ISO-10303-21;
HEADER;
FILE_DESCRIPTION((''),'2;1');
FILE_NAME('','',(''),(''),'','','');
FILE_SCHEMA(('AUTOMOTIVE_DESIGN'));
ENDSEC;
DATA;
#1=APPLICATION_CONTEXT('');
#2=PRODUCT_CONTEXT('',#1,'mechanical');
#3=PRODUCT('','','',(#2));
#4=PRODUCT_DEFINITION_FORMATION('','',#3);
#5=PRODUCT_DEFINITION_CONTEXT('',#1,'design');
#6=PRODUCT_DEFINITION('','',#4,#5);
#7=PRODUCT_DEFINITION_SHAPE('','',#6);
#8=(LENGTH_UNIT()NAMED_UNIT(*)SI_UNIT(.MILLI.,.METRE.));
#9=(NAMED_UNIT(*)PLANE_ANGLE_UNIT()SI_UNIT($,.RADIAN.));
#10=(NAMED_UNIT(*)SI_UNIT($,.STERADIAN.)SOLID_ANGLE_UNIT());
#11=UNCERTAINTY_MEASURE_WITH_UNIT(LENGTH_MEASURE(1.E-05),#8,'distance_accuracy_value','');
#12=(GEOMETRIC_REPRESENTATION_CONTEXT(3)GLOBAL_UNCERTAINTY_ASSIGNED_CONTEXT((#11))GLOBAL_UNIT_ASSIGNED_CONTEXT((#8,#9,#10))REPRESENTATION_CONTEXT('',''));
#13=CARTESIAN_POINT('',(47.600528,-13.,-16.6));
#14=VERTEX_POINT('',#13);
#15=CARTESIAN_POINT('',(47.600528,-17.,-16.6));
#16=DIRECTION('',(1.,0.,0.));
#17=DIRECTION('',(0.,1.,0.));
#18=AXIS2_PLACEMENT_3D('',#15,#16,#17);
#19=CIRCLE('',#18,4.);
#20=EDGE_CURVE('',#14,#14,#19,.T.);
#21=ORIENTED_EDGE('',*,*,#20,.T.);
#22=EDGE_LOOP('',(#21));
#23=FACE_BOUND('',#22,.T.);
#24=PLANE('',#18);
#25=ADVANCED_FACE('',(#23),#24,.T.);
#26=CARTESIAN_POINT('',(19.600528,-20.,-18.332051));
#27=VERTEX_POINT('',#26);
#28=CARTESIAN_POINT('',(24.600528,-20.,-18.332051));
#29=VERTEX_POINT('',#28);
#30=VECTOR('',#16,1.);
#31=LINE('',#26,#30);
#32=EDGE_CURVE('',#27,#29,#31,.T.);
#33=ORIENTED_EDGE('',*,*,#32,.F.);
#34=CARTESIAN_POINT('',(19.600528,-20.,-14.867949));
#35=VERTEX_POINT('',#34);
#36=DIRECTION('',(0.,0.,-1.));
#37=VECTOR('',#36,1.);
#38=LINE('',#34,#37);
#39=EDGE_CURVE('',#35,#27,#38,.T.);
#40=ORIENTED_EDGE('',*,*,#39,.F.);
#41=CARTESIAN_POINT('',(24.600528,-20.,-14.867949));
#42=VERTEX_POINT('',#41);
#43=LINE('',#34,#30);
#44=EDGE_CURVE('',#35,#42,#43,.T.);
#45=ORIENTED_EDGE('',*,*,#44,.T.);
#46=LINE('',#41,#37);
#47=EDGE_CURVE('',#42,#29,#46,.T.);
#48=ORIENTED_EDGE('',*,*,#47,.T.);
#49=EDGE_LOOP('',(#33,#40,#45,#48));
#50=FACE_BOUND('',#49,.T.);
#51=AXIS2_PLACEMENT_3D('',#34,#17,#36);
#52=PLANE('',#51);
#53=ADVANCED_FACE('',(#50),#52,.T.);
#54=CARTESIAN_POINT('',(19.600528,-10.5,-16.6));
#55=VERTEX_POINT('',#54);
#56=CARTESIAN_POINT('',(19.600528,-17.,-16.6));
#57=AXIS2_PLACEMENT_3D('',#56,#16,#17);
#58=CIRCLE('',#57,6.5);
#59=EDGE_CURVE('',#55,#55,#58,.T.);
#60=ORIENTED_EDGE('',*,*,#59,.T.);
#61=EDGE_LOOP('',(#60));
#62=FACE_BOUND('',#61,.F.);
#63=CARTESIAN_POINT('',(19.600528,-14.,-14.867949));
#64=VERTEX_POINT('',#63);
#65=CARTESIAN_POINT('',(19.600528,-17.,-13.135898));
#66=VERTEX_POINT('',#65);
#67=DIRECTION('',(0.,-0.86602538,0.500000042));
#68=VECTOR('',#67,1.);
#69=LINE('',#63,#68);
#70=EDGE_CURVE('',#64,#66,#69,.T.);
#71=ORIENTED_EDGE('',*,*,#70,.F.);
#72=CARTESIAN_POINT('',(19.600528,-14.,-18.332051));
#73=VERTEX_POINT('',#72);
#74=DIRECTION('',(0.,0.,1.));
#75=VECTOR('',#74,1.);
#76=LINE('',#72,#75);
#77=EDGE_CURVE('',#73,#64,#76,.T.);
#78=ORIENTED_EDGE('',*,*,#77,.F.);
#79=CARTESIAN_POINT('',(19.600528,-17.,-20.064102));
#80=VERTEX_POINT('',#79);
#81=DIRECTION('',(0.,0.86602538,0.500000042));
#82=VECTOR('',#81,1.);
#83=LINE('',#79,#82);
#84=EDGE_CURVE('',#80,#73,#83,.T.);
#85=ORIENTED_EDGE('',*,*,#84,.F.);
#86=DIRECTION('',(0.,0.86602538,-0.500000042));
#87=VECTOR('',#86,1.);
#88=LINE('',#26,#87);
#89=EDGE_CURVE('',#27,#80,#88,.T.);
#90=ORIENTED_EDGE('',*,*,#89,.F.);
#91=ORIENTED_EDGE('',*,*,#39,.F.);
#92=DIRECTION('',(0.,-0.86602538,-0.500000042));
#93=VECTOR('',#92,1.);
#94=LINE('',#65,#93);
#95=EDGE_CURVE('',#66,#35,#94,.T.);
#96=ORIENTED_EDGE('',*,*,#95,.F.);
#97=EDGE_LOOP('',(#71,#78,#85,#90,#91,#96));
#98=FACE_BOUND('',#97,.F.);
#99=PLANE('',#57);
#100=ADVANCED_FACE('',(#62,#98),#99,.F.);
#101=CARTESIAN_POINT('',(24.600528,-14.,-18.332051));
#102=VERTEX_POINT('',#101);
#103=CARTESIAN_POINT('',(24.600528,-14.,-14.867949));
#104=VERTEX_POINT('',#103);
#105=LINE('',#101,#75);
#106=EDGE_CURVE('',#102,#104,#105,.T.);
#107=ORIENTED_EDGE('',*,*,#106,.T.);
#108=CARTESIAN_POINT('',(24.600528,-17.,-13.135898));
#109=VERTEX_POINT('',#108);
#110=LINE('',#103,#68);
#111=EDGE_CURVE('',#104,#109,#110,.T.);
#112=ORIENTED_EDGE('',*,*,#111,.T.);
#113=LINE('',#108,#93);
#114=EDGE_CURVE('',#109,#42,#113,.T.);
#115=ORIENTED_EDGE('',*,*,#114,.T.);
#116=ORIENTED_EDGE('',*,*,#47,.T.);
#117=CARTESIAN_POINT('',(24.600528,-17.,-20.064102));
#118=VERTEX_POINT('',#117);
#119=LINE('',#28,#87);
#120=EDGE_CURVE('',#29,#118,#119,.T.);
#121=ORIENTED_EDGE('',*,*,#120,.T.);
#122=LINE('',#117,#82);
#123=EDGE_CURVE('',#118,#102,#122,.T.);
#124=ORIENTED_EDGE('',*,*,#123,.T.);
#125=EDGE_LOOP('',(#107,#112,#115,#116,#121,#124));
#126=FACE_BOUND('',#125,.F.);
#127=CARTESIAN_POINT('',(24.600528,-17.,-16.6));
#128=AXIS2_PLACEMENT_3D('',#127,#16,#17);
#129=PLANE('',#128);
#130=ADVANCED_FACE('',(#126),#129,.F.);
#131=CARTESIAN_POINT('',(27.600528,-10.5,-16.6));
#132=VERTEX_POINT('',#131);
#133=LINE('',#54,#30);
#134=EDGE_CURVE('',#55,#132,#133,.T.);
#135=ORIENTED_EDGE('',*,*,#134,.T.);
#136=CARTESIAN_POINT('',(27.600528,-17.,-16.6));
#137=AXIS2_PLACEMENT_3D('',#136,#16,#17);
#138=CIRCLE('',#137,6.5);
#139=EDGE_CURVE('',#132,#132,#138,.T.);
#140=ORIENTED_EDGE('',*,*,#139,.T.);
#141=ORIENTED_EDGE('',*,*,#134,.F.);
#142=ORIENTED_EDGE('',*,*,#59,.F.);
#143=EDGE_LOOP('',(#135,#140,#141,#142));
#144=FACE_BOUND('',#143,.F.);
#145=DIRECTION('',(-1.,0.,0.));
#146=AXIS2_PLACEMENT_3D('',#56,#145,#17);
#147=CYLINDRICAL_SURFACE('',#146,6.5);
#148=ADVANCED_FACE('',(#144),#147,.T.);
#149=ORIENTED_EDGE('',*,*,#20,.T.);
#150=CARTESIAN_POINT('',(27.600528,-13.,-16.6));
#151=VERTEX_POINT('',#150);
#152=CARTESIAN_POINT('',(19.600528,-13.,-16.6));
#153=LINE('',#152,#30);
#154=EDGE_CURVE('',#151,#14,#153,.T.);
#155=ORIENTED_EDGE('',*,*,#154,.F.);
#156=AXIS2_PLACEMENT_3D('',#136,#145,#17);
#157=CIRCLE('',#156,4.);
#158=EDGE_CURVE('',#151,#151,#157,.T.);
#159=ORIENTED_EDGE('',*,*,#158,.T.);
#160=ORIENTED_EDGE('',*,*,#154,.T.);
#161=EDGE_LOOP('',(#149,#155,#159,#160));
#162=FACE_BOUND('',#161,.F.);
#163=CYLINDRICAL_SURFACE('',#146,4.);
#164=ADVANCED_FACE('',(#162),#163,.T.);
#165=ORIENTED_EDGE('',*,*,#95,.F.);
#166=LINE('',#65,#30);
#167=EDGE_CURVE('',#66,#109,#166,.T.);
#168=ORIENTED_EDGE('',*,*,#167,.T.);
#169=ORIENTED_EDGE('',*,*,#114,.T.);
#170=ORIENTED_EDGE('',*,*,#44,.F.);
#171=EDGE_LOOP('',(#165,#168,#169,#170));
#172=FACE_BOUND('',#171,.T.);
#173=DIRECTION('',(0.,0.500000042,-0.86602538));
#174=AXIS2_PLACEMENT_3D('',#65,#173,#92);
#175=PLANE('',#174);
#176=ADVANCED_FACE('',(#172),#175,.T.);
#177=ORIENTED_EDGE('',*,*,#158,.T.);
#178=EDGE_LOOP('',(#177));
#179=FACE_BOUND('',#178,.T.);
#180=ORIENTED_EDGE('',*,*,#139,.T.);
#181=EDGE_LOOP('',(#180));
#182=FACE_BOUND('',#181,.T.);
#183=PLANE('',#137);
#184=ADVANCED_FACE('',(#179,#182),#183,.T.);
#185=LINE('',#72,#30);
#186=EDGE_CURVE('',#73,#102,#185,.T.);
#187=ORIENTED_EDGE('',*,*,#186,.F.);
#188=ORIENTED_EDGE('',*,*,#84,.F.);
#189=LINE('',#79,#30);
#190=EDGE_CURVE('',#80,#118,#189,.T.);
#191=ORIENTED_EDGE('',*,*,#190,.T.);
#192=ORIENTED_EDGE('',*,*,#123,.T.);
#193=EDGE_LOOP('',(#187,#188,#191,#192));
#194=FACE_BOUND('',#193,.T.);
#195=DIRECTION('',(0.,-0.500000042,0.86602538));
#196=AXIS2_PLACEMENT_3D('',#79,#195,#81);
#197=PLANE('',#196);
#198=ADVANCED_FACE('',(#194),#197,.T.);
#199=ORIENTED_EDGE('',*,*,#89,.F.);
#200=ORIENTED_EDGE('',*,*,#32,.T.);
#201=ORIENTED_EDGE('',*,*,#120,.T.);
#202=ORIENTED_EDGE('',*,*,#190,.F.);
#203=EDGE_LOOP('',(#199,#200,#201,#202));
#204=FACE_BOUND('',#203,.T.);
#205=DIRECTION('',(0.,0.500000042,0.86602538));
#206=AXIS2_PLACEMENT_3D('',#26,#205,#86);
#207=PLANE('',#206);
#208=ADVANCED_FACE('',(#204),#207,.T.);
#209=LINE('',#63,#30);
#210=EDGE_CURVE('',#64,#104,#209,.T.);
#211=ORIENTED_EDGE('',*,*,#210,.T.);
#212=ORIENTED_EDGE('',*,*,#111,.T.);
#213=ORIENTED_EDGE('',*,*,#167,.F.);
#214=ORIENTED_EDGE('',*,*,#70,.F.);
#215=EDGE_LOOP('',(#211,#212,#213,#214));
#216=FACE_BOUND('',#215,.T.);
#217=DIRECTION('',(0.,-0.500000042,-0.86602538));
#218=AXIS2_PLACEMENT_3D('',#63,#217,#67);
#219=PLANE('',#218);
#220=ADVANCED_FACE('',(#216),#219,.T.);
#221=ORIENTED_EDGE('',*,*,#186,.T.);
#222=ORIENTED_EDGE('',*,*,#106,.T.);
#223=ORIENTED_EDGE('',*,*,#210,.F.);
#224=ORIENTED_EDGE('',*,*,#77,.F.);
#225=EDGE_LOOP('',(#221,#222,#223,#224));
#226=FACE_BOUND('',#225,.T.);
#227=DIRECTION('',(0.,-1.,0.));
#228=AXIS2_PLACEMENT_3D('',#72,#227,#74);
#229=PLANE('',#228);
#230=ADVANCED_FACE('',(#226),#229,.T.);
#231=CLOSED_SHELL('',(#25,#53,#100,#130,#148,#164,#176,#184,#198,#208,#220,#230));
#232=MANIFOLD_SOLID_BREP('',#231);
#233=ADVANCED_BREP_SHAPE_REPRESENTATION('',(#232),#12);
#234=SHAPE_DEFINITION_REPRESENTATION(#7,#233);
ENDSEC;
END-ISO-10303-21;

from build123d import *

# Parameters (mm, degrees)
SKETCH091_R     = 4
PAD034_DEPTH    = 28
SKETCH092_R     = 6.5
PAD035_DEPTH    = 8
POCKET034_DEPTH = 5


with BuildPart() as part:
    # Sketch091 → Pad034 (new body)
    with BuildSketch(Plane.YZ):
        Circle(SKETCH091_R)
    extrude(amount=PAD034_DEPTH)

    # Sketch092 → Pad035 (join)
    with BuildSketch(Plane.YZ):
        Circle(SKETCH092_R)
    extrude(amount=PAD035_DEPTH)

    # Sketch093 → Pocket034 (cut)
    with BuildSketch(Plane.YZ):
        Polygon((3, 1.732051), (0, 3.464102), (-3, 1.732051), (-3, -1.732051), (0, -3.464102), (3, -1.732051), align=None)
    extrude(amount=POCKET034_DEPTH, mode=Mode.SUBTRACT)


with BuildPart() as part_1:
    # Body020 placement: moved
    add(part.part.moved(Location((19.600528, -17, -16.6))))


solid = part_1.part
